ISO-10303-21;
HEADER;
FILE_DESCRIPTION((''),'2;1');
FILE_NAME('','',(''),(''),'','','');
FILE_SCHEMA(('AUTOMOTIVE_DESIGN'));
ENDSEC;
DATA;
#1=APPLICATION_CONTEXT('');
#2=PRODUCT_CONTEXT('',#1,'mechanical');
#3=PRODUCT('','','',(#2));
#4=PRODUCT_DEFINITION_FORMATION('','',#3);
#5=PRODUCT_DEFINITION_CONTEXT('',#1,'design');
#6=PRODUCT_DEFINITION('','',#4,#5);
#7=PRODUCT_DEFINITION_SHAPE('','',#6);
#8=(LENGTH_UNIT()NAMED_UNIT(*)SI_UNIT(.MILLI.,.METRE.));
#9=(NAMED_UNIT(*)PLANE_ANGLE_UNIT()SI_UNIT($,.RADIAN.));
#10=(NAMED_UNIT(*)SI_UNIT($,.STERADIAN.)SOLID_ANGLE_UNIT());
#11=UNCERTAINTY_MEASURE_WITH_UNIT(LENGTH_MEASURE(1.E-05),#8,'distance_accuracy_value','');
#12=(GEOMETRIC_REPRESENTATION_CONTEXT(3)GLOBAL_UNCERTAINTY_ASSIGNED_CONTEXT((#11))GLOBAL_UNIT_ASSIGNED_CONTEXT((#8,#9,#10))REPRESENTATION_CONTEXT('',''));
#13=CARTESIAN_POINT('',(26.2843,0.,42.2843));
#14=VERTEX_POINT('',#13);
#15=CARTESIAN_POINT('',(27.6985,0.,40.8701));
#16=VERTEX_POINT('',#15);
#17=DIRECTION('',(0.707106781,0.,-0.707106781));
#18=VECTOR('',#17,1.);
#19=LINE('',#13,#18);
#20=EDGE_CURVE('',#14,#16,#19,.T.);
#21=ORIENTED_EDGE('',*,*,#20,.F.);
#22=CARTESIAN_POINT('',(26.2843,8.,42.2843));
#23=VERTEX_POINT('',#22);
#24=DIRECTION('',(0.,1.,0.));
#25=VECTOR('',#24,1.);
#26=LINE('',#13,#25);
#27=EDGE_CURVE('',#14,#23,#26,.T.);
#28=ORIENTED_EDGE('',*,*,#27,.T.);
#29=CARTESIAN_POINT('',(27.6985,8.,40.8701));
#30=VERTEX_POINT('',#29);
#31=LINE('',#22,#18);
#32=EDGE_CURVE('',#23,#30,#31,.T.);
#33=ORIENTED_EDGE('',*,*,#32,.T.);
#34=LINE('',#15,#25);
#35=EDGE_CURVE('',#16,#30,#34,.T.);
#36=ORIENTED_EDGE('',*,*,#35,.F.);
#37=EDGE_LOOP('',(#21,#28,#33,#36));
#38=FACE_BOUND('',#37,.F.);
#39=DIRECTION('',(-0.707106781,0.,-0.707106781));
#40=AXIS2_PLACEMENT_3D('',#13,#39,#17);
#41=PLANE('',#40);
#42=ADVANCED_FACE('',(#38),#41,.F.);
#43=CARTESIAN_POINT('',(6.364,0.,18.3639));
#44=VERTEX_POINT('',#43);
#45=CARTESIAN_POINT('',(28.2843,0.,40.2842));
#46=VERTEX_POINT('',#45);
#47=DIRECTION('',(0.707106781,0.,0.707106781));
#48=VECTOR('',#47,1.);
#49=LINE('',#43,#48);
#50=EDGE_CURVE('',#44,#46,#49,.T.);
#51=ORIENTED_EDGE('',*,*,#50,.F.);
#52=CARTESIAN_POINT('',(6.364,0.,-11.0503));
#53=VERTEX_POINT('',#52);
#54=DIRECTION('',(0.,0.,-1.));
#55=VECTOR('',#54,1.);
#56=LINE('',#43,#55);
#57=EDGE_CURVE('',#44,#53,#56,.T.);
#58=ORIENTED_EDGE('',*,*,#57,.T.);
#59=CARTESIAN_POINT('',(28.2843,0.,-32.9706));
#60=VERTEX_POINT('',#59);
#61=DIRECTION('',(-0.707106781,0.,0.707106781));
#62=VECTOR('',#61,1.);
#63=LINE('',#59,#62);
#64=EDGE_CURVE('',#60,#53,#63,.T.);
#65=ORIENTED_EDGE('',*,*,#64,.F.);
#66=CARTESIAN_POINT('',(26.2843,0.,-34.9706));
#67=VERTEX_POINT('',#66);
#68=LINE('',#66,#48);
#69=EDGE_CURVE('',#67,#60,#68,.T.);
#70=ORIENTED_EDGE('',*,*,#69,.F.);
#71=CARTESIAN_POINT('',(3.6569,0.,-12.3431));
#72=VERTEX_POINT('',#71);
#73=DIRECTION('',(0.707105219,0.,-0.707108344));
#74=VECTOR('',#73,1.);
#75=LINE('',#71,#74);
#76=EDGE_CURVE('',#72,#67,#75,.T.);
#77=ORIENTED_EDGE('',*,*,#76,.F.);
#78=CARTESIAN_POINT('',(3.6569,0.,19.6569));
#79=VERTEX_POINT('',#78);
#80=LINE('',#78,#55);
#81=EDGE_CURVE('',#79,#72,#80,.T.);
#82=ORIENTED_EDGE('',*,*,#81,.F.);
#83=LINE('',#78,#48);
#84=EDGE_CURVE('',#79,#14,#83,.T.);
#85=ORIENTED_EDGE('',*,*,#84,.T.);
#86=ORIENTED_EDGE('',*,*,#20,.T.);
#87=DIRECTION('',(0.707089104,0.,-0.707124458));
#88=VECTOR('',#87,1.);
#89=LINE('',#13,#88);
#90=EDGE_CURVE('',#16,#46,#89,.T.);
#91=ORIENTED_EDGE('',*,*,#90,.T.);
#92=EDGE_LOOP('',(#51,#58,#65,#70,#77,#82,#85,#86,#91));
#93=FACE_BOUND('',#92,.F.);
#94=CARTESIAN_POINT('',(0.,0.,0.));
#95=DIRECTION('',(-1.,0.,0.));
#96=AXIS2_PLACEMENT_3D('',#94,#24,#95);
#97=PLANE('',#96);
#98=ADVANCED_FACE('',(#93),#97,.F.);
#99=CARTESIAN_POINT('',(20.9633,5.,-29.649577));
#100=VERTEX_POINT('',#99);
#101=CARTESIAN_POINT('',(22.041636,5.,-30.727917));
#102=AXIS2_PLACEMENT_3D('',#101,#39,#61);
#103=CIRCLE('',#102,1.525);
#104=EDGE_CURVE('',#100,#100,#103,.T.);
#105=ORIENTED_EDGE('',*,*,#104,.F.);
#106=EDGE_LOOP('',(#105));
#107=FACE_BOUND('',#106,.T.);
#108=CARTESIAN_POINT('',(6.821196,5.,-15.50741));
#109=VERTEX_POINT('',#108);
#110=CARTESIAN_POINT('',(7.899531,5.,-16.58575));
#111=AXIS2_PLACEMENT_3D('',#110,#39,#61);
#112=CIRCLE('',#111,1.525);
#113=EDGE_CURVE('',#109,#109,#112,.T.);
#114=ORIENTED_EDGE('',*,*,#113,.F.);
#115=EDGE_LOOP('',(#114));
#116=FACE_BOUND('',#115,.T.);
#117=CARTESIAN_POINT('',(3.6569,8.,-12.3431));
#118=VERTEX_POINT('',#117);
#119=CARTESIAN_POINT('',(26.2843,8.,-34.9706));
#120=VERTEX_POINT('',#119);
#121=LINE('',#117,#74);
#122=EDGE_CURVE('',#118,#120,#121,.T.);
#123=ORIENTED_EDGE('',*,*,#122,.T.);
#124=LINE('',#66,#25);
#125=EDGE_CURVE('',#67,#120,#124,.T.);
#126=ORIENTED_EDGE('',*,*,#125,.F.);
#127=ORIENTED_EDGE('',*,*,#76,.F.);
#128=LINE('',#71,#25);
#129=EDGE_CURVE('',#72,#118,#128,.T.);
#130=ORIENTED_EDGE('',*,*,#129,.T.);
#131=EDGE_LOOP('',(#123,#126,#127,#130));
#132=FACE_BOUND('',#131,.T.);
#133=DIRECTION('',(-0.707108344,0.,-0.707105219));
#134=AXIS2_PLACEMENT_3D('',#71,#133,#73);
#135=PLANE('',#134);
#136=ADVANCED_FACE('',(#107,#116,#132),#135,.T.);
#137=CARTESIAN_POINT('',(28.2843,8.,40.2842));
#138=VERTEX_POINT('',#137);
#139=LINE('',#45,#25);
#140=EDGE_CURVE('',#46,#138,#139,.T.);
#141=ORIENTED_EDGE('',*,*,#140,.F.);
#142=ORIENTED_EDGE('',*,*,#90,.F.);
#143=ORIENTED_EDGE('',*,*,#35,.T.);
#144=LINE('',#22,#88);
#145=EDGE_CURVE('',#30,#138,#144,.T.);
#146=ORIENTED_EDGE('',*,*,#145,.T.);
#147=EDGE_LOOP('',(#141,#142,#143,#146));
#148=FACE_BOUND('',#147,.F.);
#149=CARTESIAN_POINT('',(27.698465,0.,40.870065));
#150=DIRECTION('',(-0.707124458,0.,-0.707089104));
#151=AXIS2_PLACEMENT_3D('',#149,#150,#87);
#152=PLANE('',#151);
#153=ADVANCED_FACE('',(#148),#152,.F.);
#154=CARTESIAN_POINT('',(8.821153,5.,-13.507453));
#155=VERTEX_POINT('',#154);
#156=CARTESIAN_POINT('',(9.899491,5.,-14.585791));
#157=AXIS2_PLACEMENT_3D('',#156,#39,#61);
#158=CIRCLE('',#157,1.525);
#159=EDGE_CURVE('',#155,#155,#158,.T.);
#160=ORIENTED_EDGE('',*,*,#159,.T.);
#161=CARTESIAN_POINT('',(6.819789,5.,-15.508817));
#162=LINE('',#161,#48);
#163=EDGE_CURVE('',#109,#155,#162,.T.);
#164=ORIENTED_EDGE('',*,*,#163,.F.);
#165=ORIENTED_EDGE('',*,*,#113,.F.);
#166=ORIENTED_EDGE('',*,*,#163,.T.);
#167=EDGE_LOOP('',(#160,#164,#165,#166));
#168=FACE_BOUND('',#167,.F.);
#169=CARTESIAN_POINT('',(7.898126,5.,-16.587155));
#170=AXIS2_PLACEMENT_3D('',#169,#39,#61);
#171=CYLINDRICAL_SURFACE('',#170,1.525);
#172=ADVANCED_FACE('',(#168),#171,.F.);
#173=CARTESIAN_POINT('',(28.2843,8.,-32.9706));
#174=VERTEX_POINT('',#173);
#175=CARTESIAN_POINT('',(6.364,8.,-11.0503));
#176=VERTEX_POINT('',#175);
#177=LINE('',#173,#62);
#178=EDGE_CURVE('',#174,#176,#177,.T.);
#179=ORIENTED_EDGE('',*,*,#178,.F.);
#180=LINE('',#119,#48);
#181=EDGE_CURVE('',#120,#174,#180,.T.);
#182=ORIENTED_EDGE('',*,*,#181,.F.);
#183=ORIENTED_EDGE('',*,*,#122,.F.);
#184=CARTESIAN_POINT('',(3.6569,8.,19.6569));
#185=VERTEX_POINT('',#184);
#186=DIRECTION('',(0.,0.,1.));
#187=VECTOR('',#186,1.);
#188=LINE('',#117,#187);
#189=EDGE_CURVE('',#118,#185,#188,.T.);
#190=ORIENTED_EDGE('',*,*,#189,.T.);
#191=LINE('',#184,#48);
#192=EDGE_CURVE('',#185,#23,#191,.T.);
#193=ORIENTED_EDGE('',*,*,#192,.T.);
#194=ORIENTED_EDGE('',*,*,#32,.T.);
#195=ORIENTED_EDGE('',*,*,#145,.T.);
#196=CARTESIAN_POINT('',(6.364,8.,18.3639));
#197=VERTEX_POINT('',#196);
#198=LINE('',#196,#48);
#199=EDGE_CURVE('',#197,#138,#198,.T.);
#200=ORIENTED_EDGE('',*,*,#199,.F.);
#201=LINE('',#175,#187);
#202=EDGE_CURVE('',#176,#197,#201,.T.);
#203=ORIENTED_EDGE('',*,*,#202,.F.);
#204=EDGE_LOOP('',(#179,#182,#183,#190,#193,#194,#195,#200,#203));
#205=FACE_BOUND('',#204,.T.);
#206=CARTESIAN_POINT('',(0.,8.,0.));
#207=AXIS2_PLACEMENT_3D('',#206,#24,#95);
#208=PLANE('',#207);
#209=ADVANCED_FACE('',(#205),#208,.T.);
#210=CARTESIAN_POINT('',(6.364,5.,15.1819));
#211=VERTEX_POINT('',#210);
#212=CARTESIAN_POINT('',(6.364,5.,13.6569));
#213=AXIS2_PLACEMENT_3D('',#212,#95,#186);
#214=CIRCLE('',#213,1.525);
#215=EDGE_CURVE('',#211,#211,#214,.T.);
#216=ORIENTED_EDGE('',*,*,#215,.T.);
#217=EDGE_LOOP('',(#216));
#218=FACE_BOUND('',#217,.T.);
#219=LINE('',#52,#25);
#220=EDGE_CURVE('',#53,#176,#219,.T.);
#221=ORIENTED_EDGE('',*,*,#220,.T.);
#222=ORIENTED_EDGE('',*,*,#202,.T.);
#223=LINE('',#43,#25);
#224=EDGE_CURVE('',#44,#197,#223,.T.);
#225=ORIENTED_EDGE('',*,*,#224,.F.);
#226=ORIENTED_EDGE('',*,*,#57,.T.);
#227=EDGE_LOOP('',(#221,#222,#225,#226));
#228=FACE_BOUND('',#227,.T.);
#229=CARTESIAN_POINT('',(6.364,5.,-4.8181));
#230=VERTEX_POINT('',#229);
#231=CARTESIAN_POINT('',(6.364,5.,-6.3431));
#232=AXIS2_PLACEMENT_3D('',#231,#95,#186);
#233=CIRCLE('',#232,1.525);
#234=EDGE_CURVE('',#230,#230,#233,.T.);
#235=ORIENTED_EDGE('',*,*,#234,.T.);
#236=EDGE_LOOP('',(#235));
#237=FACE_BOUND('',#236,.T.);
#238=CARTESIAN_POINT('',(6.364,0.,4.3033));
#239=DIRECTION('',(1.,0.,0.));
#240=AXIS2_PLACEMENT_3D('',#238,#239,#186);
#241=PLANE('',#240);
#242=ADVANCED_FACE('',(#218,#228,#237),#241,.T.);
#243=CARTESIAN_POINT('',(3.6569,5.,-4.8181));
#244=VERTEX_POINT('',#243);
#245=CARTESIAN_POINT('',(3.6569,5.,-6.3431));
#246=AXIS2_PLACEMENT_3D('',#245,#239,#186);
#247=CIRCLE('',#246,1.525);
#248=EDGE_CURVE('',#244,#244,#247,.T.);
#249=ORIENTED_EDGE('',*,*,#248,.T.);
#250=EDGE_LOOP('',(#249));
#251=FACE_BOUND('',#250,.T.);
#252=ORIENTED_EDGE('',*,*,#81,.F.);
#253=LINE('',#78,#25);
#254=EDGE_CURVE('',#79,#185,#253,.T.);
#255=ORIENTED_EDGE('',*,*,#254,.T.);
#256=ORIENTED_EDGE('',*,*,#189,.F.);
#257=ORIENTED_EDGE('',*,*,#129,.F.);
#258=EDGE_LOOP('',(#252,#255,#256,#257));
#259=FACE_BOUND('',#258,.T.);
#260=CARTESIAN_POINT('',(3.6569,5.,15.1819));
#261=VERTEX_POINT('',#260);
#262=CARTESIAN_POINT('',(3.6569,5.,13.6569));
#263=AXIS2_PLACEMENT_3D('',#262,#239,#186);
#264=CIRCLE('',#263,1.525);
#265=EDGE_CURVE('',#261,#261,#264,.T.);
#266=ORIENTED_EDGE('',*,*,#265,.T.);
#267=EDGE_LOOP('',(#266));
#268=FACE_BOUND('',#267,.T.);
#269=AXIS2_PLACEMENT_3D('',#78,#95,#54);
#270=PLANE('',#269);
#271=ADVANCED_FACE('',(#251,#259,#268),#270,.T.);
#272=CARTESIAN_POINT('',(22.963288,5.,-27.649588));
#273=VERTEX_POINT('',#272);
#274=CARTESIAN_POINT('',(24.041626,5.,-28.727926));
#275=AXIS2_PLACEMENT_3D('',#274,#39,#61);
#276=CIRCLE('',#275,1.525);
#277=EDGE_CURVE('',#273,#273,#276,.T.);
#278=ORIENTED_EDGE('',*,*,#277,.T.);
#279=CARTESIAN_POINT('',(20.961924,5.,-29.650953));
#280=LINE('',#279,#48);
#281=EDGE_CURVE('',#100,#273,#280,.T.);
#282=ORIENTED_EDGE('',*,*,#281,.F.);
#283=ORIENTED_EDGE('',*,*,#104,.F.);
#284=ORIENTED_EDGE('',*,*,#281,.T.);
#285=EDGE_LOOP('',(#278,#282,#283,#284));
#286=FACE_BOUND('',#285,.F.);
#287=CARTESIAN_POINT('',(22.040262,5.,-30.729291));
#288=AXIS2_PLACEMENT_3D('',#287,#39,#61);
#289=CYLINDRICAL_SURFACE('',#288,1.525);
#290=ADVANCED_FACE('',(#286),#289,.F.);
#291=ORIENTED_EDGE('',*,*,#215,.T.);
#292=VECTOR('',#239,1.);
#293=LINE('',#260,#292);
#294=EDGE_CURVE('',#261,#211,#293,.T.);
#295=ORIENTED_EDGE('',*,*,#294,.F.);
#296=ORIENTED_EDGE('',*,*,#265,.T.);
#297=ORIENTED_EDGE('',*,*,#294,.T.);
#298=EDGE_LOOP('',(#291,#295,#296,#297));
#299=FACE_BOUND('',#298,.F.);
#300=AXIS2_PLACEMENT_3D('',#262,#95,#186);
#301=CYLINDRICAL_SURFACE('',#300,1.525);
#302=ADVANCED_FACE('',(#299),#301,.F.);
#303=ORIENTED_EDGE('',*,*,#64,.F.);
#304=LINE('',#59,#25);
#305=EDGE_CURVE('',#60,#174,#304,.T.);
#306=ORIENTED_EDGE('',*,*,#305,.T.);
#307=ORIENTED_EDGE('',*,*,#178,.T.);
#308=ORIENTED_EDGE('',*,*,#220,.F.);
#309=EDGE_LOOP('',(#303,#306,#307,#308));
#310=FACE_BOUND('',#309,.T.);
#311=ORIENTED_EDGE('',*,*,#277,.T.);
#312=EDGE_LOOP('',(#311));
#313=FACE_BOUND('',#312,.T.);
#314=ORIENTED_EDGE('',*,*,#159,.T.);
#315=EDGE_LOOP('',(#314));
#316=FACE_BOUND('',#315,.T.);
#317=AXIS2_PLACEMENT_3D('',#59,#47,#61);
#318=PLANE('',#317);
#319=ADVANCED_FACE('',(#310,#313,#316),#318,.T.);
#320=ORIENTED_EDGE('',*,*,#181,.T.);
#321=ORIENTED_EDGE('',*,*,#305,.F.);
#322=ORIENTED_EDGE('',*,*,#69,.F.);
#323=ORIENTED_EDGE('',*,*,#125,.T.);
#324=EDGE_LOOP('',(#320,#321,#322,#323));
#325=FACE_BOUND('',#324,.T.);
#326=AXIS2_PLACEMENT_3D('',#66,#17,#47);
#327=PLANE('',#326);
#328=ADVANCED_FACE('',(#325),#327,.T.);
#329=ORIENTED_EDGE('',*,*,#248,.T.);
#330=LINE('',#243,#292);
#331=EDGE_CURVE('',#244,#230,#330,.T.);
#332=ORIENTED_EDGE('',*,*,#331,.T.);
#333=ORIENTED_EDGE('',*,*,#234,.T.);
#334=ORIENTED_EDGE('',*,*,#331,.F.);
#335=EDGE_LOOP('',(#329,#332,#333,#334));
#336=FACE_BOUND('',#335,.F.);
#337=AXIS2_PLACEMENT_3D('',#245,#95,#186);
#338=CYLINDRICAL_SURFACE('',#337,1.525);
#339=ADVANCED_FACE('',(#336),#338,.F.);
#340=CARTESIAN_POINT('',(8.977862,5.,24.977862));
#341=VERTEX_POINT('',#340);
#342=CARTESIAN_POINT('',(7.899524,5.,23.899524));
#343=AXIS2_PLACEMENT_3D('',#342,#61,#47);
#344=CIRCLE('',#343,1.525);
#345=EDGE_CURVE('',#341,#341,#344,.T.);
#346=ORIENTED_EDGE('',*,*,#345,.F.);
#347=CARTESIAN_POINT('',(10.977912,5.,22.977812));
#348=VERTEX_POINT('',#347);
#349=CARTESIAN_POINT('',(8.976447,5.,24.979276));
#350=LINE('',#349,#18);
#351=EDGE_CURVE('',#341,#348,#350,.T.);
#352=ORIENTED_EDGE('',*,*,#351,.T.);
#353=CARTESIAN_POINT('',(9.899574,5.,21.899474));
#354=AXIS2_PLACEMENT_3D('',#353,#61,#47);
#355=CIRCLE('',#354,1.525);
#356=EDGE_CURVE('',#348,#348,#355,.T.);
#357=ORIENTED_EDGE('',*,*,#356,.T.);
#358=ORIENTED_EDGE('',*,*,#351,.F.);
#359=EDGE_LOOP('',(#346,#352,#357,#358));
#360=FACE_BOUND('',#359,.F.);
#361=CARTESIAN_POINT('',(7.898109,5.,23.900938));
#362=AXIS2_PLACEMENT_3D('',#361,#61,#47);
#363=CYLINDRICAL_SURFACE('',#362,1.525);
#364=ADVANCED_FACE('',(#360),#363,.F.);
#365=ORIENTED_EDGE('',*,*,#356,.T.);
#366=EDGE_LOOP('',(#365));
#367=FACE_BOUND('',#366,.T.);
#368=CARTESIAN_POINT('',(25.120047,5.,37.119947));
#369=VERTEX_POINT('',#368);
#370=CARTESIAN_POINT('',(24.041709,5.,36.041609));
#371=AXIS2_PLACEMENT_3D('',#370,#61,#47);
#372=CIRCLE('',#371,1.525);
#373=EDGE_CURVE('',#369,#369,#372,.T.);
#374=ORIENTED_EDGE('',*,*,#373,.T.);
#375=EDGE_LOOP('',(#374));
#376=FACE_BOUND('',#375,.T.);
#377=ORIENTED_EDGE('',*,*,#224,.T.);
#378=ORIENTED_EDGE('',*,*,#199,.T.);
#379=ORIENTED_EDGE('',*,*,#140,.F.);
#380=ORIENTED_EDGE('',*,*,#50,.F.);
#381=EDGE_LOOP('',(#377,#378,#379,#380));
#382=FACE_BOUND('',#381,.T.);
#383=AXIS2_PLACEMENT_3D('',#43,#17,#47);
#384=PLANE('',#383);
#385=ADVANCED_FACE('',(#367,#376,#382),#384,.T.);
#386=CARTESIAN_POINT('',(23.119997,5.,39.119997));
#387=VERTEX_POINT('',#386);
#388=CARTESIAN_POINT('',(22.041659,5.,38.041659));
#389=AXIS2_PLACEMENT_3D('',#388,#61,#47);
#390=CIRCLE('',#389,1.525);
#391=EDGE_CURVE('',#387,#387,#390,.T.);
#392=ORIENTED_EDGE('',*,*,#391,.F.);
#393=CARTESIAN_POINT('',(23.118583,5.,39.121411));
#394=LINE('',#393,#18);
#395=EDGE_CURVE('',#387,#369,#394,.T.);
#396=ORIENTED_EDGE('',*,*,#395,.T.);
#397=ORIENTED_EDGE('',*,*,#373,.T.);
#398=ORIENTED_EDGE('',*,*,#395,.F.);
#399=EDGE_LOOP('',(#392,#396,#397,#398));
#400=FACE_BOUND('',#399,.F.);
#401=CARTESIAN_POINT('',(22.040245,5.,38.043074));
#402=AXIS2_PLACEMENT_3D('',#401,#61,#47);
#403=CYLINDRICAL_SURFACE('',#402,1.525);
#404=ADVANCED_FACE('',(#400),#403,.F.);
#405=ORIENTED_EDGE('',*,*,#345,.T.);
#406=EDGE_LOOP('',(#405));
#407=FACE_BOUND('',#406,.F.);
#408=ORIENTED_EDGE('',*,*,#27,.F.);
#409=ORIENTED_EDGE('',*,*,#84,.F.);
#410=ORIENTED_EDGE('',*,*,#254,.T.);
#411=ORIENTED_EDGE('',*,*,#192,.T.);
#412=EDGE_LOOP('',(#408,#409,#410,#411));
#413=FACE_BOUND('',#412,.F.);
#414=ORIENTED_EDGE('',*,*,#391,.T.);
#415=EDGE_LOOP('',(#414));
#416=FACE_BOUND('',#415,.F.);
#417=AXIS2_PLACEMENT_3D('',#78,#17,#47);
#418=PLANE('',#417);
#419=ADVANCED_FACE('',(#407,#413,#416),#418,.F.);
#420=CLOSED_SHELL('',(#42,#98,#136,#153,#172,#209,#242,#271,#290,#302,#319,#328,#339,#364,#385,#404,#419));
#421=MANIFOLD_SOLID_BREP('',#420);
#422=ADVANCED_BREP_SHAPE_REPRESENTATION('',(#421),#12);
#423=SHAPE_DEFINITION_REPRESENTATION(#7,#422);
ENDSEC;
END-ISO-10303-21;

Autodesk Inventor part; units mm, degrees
ref_plane "YZ Plane" through (0, 0, 0) normal (1, 0, 0) x (0, 1, 0)
ref_plane "XZ Plane" through (0, 0, 0) normal (0, 1, 0) x (-1, 0, 0)
ref_plane "XY Plane" through (0, 0, 0) normal (0, 0, 1) x (1, 0, 0)
sketch "Sketch1" plane through (0, 0, 0) normal (0, 1, 0) x (-1, 0, 0)
  line L0 (-6.364, 4.3033) -> (-6.364, 17.3033)
  line L1 (-6.364, 4.3033) -> (-6.364, -8.6967)
  line L2 (-6.364, 17.3033) -> (-6.364, 20.3033)
  line L3 (-3.6569, 19.6569) -> (-26.2843, 42.2843)
  line L4 (-26.2843, 42.2843) -> (-27.6985, 40.8701)
  line L5 (-3.6569, -9.3431) -> (-3.6569, -12.3431)
  line L6 (-3.6569, -12.3431) -> (-26.2843, -34.9706)
  line L7 (-26.2843, -34.9706) -> (-28.2843, -32.9706)
  line L8 (-28.2843, -32.9706) -> (-6.364, -11.0503)
  line L9 (-6.364, -11.0503) -> (-6.364, -8.6967)
  line L10 (-3.6569, 19.6569) -> (-3.6569, -12.3431)
  line L11 (-3.6569, -12.3431) -> (-26.2843, -34.9706)
  line L12 (-28.2843, -32.9706) -> (-26.2843, -34.9706)
  line L13 (-28.2843, -32.9706) -> (-6.364, -11.0503)
  line L14 (-6.364, -11.0503) -> (-6.364, 19.5355)
  line L15 (-27.6985, 40.8701) -> (-26.2843, 42.2843)
  line L16 (-26.2843, 42.2843) -> (-3.6569, 19.6569)
  line L17 (-3.6569, 19.6569) -> (-0.6568, 19.6569) construction
  line L18 (-6.364, 18.3639) -> (-28.2843, 40.2842) construction
  line L19 (-28.2843, 40.2842) -> (-26.2843, 42.2843) construction
  line L20 (-26.2843, 42.2843) -> (-28.2843, 40.2842)
  line L21 (-6.364, 18.3639) -> (-28.2843, 40.2842)
  point P0 (0, 0)
  dimension "d64" = 32
  dimension "d65" = 32
  dimension "d66" = 2
  dimension "d67" = 32
  dimension "d70" = 31
extrude "Extrusion2" add sketch "Sketch1" along normal blind 8
sketch "Sketch9" plane through (3.6569, 0, -12.3431) normal (-1, 0, 0) x (0, 0, 1)
  line L0 (0, 0) -> (0, 8) projected
  line L1 (0, 8) -> (32, 8) projected
  line L2 (0, 8) -> (32, 8)
  line L3 (0, 8) -> (16, 8)
  line L4 (16, 8) -> (32, 8)
  line L5 (16, 8) -> (16, 0)
  line L6 (16, 0) -> (3, 0)
  line L7 (30.707, 0) -> (1.2929, 0) projected
  line L8 (3, 0) -> (6, 0)
  line L9 (6, 0) -> (6, 5)
  line L10 (6, 5) -> (16, 5)
  line L11 (16, 5) -> (26, 5)
  line L12 (26, 5) -> (26, 0)
  circle A0 centre (6, 5) radius 1.525
  circle A1 centre (26, 5) radius 1.525
  point P0 (12.3431, 0)
  dimension "d72" = 16
  dimension "d73" = 13
  dimension "d74" = 3
  dimension "d75" = 5
  dimension "d76" = 10
  dimension "d77" = 3.05
  dimension "d78" = 3.05
extrude "Extrusion7" cut sketch "Sketch9" against normal blind 8 contours A0 L9 L10 | L10 L9 A0 | A1 L12 L11 | L11 L12 A1
sketch "Sketch10" plane through (3.6569, 0, -12.3431) normal (-0.7071, 0, -0.7071) x (-0.7071, 0, 0.7071)
  line L0 (-32, 0) -> (0, 0) projected
  line L1 (-16, 0) -> (-32, 0)
  line L2 (-32, 0) -> (-16, 0)
  line L3 (0, 0) -> (-16, 0)
  line L4 (-16, 0) -> (-29, 0)
  line L5 (-29, 0) -> (-26, 0)
  line L6 (-26, 0) -> (-26, 5)
  line L7 (-26, 5) -> (-16, 5)
  line L8 (-16, 5) -> (-6, 5)
  line L9 (-6, 5) -> (-6, 0)
  circle A0 centre (-26, 5) radius 1.525
  circle A1 centre (-6, 5) radius 1.525
  point P0 (11.3137, 0)
  dimension "d81" = 13
  dimension "d82" = 3
  dimension "d83" = 5
  dimension "d84" = 10
  dimension "d85" = 3.05
  dimension "d86" = 3.05
extrude "Extrusion8" cut sketch "Sketch10" against normal blind 8 contours A0 L7 L6 | L6 L7 A0 | A1 L8 L9 | L9 L8 A1
sketch "Sketch11" plane through (26.2843, 0, 42.2843) normal (-0.7071, 0, 0.7071) x (0.7071, 0, 0.7071)
  line L0 (-32, 0) -> (-32, 8) projected
  line L1 (-32, 0) -> (0, 0) projected
  line L2 (-32, 0) -> (0, 0)
  line L3 (0, 0) -> (-16, 0)
  line L4 (-16, 0) -> (-32, 0)
  line L5 (-16, 0) -> (-29, 0)
  line L6 (0, 0) -> (-31.0001, 0) projected
  line L7 (-29, 0) -> (-26, 0)
  line L8 (-26, 0) -> (-26, 5)
  line L9 (-26, 5) -> (-16, 5)
  line L10 (-16, 5) -> (-6, 5)
  line L11 (-6, 5) -> (-6, 0)
  circle A0 centre (-26, 5) radius 1.525
  circle A1 centre (-6, 5) radius 1.525
  point P0 (-48.4853, 0)
  dimension "d89" = 16
  dimension "d90" = 13
  dimension "d91" = 3
  dimension "d92" = 5
  dimension "d93" = 10
  dimension "d94" = 3.05
  dimension "d95" = 3.05
extrude "Extrusion9" cut sketch "Sketch11" against normal blind 8 contours A0 L9 L8 | L8 L9 A0 | A1 L10 L11 | L11 L10 A1
sketch "Sketch12" plane through (0, 0, 0) normal (0, -1, 0) x (1, 0, 0)
  line L0 (3.6569, -12.3431) -> (3.6569, 19.6569) projected
  line L1 (3.6569, -12.3431) -> (3.6569, 19.6569)
  line L2 (3.6569, 19.6569) -> (3.6569, 3.6569)
  line L3 (3.6569, 3.6569) -> (6.364, 3.6568)
  line L4 (6.364, 18.3639) -> (6.364, -11.0503) projected
  point P0 (0, 0)
  dimension "d98" = 16
properties part number "distanceSensorMount"
